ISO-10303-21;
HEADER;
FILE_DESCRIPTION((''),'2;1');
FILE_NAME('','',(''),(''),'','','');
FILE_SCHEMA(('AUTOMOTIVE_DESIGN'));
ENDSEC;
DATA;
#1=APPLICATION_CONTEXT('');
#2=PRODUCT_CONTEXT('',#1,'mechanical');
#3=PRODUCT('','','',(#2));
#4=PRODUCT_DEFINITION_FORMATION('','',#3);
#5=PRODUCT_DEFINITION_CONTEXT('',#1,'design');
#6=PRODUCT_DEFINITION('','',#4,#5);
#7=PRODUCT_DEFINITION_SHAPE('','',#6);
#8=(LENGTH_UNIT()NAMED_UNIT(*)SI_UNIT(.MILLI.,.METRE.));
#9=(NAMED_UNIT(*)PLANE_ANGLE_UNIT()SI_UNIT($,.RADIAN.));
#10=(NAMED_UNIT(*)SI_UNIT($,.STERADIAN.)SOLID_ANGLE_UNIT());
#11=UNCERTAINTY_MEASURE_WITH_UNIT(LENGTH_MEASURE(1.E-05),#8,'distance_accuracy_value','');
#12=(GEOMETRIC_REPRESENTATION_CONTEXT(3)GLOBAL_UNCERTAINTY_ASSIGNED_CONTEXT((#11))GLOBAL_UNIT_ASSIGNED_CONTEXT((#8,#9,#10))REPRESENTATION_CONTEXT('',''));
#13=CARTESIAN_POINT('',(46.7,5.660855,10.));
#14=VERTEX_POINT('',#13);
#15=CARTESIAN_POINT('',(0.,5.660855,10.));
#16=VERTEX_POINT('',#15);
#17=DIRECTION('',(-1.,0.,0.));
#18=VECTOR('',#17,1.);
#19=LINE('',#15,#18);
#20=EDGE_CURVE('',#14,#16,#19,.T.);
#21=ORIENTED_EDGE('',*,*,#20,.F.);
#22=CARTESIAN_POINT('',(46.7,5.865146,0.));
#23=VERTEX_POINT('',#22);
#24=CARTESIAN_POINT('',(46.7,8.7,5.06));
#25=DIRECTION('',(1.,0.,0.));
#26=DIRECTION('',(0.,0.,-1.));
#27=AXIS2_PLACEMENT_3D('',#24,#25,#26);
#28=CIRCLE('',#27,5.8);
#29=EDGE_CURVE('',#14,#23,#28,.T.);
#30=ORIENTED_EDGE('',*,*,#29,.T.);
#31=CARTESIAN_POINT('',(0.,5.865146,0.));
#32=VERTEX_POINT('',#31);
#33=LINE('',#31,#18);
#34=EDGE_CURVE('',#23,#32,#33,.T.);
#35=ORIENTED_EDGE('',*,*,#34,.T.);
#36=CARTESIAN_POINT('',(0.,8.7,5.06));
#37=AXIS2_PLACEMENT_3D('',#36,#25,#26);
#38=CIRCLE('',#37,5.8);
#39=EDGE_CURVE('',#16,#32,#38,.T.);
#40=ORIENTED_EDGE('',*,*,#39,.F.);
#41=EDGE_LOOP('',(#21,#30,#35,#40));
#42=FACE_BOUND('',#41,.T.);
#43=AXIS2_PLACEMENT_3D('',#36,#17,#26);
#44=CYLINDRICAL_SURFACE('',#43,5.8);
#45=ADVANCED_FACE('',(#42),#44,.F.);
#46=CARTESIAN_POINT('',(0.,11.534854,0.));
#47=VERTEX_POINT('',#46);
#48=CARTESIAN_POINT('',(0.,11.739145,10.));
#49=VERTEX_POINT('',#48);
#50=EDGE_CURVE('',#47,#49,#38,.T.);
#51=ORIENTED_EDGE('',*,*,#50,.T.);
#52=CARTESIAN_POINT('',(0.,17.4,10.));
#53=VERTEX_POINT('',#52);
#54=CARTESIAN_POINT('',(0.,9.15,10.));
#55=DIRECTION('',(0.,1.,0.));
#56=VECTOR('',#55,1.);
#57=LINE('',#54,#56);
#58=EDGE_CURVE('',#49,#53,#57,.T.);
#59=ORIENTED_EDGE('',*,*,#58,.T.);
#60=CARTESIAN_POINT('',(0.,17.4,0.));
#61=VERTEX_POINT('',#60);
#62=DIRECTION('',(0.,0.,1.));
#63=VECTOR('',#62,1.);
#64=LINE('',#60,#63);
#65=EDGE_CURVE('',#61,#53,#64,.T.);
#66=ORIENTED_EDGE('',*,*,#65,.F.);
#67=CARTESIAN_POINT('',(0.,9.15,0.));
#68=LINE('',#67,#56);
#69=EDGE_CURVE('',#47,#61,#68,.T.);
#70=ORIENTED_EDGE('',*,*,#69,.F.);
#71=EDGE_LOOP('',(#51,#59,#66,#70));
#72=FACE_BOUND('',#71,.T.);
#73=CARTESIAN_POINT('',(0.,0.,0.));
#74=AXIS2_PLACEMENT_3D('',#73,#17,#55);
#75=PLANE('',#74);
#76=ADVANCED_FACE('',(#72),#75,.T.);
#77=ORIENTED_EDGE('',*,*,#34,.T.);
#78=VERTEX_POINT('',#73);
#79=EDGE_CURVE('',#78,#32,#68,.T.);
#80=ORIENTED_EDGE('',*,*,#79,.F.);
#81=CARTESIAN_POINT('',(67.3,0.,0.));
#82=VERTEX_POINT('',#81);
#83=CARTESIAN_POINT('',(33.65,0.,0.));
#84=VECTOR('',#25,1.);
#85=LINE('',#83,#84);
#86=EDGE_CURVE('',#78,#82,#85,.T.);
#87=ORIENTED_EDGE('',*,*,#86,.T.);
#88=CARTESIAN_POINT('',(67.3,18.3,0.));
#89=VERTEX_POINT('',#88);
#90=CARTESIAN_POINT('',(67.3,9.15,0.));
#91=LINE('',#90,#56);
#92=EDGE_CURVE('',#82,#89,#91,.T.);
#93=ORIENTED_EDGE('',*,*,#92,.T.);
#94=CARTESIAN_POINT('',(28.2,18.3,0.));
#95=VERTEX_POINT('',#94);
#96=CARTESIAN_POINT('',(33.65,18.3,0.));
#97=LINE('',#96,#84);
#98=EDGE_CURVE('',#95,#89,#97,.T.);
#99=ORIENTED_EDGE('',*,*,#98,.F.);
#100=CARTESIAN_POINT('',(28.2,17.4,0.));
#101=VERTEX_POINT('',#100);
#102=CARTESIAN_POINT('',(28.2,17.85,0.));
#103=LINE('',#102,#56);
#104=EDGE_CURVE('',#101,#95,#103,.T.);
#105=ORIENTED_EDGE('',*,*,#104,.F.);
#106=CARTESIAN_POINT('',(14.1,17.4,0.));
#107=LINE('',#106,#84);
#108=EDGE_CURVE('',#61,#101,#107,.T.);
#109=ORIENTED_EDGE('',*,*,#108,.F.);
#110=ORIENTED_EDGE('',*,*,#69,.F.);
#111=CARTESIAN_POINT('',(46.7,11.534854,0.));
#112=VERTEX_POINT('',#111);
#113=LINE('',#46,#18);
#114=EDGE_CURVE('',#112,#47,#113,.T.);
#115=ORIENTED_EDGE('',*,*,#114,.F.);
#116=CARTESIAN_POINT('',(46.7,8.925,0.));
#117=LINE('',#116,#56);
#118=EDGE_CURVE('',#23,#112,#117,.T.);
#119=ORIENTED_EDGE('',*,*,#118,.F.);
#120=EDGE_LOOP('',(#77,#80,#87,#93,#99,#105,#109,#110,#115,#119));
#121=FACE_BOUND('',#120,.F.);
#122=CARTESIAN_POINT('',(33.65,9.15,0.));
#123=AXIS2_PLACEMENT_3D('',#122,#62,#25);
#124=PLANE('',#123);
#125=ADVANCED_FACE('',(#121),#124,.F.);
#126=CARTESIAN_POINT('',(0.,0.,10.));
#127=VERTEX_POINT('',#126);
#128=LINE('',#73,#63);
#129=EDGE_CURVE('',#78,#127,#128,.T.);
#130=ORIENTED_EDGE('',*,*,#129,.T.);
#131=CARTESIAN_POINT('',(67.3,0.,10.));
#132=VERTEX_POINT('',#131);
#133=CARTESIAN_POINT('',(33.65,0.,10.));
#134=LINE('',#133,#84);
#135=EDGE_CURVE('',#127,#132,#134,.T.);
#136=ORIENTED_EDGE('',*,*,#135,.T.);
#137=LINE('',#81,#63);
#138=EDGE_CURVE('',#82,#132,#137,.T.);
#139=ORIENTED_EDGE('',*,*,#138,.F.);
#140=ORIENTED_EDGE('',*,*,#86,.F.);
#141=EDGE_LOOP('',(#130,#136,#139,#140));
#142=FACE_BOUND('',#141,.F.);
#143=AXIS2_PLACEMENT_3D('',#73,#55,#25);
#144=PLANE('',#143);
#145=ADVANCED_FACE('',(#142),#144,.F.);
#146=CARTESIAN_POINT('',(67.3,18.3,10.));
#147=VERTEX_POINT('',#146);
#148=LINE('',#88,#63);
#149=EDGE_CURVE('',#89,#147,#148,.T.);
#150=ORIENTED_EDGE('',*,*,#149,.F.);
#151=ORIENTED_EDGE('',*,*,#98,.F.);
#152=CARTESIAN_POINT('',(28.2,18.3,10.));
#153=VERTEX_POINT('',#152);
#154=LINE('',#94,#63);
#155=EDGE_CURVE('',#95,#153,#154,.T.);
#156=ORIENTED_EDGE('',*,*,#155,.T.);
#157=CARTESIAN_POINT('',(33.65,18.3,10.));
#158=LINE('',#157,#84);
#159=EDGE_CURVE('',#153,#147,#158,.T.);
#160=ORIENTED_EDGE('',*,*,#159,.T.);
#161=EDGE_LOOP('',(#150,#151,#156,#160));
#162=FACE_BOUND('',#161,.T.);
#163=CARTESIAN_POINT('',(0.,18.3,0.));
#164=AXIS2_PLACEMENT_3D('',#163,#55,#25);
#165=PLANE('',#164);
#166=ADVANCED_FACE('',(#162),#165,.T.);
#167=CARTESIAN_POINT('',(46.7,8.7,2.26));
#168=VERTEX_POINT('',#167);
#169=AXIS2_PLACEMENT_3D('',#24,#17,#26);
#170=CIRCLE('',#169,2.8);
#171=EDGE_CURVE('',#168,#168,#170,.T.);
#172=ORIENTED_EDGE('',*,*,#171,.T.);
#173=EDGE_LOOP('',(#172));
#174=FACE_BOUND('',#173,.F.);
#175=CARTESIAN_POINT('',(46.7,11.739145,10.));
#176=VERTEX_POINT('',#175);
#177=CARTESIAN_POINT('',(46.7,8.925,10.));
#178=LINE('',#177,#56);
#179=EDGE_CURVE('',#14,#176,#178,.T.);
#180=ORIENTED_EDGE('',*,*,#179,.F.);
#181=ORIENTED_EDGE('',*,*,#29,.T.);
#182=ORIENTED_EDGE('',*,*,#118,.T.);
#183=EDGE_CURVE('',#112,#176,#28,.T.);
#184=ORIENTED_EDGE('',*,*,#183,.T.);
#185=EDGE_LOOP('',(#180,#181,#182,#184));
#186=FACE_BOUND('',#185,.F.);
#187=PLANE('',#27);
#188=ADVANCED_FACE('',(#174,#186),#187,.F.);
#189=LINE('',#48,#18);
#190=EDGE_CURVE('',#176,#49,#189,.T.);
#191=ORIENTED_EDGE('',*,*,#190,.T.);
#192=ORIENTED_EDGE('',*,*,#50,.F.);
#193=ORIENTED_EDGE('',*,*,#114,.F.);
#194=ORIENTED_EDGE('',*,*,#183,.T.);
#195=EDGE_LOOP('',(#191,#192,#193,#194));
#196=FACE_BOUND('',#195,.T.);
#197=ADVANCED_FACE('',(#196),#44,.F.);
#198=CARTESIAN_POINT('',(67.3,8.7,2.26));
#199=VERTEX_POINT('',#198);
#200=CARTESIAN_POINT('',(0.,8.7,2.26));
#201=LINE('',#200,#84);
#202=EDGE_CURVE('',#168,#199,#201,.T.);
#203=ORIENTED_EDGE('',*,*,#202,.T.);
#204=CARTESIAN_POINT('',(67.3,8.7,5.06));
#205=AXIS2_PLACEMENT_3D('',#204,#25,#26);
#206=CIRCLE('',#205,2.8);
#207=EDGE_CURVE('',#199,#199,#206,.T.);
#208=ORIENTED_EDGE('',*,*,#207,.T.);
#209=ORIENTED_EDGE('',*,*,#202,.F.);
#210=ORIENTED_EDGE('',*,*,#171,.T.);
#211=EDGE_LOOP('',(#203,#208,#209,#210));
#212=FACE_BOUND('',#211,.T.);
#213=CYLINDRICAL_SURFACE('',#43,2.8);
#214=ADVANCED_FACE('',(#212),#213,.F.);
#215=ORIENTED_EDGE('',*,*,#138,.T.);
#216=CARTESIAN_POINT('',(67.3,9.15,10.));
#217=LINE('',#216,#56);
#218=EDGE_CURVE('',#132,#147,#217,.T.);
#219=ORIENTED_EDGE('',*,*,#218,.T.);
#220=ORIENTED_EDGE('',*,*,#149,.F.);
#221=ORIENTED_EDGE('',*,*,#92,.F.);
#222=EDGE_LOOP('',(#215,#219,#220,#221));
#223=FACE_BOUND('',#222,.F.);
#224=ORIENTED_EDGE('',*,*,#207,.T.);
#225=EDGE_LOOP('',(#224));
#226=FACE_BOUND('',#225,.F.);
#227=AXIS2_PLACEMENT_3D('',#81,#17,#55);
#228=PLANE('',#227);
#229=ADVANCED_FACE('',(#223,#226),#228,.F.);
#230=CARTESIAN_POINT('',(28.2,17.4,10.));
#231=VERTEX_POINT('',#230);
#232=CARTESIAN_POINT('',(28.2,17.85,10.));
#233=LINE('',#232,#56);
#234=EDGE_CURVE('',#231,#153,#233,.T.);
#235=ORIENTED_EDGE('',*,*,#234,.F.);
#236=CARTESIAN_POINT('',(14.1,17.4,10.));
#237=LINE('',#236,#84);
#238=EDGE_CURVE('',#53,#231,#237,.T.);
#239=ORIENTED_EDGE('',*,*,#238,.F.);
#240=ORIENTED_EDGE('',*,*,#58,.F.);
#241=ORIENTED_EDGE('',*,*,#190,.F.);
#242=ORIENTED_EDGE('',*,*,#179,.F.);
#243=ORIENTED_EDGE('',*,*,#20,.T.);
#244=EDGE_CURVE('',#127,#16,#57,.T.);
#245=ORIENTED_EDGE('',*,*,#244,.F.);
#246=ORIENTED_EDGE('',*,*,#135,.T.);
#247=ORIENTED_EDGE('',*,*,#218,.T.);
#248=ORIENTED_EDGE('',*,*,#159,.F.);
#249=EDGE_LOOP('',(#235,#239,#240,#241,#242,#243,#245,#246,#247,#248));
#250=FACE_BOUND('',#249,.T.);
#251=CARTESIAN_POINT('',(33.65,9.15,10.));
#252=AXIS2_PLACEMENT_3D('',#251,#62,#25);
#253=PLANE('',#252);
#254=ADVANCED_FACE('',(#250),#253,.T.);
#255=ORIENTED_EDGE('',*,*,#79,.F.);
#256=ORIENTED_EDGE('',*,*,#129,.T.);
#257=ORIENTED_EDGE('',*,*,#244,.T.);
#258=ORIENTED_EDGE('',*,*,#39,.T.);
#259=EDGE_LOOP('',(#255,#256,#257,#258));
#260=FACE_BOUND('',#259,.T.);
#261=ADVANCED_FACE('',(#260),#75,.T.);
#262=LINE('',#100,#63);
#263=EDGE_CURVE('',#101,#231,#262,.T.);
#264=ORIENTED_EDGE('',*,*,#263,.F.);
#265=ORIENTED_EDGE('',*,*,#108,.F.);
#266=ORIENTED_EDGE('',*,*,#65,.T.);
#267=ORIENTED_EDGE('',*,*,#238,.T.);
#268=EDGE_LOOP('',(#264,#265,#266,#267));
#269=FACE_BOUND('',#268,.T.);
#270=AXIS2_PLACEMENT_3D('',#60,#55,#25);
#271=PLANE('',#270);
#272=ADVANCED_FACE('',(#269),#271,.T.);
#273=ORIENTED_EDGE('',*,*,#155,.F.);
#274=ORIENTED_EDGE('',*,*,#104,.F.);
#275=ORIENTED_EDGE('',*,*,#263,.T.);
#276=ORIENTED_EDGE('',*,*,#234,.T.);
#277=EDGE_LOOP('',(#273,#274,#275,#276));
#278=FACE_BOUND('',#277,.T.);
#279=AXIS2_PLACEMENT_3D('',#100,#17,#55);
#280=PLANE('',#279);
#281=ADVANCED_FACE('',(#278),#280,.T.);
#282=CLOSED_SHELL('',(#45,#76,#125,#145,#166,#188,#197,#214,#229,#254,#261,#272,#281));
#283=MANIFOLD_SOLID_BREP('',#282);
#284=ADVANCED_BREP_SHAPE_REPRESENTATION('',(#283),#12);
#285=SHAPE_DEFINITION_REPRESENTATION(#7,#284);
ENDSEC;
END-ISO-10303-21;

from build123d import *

# Parameters (mm, degrees)
CYLINDER001_R     = 2.8
CYLINDER001_DEPTH = 67.3
CYLINDER_R        = 5.8
CYLINDER_DEPTH    = 46.7
BOX001_W          = 28.2
BOX001_H          = 0.9
BOX001_DEPTH      = 10
BOX_W             = 67.3
BOX_H             = 18.3
BOX_DEPTH         = 10


with BuildPart() as cylinder001:
    # Cylinder001 → Cylinder001 (new body)
    with BuildSketch(Plane(origin=(0, 8.7, 5.06), x_dir=(0, 0, -1), z_dir=(1, 0, 0))):
        Circle(CYLINDER001_R)
    extrude(amount=CYLINDER001_DEPTH)


with BuildPart() as cylinder:
    # Cylinder → Cylinder (new body)
    with BuildSketch(Plane(origin=(0, 8.7, 5.06), x_dir=(0, 0, -1), z_dir=(1, 0, 0))):
        Circle(CYLINDER_R)
    extrude(amount=CYLINDER_DEPTH)


with BuildPart() as cube001:
    # Box001 → Box001 (new body)
    with BuildSketch(Plane(origin=(0, 17.4, 0), x_dir=(1, 0, 0), z_dir=(0, 0, 1))):
        with Locations((14.1, 0.45)):
            Rectangle(BOX001_W, BOX001_H)
    extrude(amount=BOX001_DEPTH)


with BuildPart() as cut002:
    # Box → Box (new body)
    with BuildSketch(Plane.XY):
        with Locations((33.65, 9.15)):
            Rectangle(BOX_W, BOX_H)
    extrude(amount=BOX_DEPTH)

    # Cut: cut Cube001
    add(cube001.part, mode=Mode.SUBTRACT)

    # Cut001: cut Cylinder
    add(cylinder.part, mode=Mode.SUBTRACT)

    # Cut002: cut Cylinder001
    add(cylinder001.part, mode=Mode.SUBTRACT)


solid = cut002.part
